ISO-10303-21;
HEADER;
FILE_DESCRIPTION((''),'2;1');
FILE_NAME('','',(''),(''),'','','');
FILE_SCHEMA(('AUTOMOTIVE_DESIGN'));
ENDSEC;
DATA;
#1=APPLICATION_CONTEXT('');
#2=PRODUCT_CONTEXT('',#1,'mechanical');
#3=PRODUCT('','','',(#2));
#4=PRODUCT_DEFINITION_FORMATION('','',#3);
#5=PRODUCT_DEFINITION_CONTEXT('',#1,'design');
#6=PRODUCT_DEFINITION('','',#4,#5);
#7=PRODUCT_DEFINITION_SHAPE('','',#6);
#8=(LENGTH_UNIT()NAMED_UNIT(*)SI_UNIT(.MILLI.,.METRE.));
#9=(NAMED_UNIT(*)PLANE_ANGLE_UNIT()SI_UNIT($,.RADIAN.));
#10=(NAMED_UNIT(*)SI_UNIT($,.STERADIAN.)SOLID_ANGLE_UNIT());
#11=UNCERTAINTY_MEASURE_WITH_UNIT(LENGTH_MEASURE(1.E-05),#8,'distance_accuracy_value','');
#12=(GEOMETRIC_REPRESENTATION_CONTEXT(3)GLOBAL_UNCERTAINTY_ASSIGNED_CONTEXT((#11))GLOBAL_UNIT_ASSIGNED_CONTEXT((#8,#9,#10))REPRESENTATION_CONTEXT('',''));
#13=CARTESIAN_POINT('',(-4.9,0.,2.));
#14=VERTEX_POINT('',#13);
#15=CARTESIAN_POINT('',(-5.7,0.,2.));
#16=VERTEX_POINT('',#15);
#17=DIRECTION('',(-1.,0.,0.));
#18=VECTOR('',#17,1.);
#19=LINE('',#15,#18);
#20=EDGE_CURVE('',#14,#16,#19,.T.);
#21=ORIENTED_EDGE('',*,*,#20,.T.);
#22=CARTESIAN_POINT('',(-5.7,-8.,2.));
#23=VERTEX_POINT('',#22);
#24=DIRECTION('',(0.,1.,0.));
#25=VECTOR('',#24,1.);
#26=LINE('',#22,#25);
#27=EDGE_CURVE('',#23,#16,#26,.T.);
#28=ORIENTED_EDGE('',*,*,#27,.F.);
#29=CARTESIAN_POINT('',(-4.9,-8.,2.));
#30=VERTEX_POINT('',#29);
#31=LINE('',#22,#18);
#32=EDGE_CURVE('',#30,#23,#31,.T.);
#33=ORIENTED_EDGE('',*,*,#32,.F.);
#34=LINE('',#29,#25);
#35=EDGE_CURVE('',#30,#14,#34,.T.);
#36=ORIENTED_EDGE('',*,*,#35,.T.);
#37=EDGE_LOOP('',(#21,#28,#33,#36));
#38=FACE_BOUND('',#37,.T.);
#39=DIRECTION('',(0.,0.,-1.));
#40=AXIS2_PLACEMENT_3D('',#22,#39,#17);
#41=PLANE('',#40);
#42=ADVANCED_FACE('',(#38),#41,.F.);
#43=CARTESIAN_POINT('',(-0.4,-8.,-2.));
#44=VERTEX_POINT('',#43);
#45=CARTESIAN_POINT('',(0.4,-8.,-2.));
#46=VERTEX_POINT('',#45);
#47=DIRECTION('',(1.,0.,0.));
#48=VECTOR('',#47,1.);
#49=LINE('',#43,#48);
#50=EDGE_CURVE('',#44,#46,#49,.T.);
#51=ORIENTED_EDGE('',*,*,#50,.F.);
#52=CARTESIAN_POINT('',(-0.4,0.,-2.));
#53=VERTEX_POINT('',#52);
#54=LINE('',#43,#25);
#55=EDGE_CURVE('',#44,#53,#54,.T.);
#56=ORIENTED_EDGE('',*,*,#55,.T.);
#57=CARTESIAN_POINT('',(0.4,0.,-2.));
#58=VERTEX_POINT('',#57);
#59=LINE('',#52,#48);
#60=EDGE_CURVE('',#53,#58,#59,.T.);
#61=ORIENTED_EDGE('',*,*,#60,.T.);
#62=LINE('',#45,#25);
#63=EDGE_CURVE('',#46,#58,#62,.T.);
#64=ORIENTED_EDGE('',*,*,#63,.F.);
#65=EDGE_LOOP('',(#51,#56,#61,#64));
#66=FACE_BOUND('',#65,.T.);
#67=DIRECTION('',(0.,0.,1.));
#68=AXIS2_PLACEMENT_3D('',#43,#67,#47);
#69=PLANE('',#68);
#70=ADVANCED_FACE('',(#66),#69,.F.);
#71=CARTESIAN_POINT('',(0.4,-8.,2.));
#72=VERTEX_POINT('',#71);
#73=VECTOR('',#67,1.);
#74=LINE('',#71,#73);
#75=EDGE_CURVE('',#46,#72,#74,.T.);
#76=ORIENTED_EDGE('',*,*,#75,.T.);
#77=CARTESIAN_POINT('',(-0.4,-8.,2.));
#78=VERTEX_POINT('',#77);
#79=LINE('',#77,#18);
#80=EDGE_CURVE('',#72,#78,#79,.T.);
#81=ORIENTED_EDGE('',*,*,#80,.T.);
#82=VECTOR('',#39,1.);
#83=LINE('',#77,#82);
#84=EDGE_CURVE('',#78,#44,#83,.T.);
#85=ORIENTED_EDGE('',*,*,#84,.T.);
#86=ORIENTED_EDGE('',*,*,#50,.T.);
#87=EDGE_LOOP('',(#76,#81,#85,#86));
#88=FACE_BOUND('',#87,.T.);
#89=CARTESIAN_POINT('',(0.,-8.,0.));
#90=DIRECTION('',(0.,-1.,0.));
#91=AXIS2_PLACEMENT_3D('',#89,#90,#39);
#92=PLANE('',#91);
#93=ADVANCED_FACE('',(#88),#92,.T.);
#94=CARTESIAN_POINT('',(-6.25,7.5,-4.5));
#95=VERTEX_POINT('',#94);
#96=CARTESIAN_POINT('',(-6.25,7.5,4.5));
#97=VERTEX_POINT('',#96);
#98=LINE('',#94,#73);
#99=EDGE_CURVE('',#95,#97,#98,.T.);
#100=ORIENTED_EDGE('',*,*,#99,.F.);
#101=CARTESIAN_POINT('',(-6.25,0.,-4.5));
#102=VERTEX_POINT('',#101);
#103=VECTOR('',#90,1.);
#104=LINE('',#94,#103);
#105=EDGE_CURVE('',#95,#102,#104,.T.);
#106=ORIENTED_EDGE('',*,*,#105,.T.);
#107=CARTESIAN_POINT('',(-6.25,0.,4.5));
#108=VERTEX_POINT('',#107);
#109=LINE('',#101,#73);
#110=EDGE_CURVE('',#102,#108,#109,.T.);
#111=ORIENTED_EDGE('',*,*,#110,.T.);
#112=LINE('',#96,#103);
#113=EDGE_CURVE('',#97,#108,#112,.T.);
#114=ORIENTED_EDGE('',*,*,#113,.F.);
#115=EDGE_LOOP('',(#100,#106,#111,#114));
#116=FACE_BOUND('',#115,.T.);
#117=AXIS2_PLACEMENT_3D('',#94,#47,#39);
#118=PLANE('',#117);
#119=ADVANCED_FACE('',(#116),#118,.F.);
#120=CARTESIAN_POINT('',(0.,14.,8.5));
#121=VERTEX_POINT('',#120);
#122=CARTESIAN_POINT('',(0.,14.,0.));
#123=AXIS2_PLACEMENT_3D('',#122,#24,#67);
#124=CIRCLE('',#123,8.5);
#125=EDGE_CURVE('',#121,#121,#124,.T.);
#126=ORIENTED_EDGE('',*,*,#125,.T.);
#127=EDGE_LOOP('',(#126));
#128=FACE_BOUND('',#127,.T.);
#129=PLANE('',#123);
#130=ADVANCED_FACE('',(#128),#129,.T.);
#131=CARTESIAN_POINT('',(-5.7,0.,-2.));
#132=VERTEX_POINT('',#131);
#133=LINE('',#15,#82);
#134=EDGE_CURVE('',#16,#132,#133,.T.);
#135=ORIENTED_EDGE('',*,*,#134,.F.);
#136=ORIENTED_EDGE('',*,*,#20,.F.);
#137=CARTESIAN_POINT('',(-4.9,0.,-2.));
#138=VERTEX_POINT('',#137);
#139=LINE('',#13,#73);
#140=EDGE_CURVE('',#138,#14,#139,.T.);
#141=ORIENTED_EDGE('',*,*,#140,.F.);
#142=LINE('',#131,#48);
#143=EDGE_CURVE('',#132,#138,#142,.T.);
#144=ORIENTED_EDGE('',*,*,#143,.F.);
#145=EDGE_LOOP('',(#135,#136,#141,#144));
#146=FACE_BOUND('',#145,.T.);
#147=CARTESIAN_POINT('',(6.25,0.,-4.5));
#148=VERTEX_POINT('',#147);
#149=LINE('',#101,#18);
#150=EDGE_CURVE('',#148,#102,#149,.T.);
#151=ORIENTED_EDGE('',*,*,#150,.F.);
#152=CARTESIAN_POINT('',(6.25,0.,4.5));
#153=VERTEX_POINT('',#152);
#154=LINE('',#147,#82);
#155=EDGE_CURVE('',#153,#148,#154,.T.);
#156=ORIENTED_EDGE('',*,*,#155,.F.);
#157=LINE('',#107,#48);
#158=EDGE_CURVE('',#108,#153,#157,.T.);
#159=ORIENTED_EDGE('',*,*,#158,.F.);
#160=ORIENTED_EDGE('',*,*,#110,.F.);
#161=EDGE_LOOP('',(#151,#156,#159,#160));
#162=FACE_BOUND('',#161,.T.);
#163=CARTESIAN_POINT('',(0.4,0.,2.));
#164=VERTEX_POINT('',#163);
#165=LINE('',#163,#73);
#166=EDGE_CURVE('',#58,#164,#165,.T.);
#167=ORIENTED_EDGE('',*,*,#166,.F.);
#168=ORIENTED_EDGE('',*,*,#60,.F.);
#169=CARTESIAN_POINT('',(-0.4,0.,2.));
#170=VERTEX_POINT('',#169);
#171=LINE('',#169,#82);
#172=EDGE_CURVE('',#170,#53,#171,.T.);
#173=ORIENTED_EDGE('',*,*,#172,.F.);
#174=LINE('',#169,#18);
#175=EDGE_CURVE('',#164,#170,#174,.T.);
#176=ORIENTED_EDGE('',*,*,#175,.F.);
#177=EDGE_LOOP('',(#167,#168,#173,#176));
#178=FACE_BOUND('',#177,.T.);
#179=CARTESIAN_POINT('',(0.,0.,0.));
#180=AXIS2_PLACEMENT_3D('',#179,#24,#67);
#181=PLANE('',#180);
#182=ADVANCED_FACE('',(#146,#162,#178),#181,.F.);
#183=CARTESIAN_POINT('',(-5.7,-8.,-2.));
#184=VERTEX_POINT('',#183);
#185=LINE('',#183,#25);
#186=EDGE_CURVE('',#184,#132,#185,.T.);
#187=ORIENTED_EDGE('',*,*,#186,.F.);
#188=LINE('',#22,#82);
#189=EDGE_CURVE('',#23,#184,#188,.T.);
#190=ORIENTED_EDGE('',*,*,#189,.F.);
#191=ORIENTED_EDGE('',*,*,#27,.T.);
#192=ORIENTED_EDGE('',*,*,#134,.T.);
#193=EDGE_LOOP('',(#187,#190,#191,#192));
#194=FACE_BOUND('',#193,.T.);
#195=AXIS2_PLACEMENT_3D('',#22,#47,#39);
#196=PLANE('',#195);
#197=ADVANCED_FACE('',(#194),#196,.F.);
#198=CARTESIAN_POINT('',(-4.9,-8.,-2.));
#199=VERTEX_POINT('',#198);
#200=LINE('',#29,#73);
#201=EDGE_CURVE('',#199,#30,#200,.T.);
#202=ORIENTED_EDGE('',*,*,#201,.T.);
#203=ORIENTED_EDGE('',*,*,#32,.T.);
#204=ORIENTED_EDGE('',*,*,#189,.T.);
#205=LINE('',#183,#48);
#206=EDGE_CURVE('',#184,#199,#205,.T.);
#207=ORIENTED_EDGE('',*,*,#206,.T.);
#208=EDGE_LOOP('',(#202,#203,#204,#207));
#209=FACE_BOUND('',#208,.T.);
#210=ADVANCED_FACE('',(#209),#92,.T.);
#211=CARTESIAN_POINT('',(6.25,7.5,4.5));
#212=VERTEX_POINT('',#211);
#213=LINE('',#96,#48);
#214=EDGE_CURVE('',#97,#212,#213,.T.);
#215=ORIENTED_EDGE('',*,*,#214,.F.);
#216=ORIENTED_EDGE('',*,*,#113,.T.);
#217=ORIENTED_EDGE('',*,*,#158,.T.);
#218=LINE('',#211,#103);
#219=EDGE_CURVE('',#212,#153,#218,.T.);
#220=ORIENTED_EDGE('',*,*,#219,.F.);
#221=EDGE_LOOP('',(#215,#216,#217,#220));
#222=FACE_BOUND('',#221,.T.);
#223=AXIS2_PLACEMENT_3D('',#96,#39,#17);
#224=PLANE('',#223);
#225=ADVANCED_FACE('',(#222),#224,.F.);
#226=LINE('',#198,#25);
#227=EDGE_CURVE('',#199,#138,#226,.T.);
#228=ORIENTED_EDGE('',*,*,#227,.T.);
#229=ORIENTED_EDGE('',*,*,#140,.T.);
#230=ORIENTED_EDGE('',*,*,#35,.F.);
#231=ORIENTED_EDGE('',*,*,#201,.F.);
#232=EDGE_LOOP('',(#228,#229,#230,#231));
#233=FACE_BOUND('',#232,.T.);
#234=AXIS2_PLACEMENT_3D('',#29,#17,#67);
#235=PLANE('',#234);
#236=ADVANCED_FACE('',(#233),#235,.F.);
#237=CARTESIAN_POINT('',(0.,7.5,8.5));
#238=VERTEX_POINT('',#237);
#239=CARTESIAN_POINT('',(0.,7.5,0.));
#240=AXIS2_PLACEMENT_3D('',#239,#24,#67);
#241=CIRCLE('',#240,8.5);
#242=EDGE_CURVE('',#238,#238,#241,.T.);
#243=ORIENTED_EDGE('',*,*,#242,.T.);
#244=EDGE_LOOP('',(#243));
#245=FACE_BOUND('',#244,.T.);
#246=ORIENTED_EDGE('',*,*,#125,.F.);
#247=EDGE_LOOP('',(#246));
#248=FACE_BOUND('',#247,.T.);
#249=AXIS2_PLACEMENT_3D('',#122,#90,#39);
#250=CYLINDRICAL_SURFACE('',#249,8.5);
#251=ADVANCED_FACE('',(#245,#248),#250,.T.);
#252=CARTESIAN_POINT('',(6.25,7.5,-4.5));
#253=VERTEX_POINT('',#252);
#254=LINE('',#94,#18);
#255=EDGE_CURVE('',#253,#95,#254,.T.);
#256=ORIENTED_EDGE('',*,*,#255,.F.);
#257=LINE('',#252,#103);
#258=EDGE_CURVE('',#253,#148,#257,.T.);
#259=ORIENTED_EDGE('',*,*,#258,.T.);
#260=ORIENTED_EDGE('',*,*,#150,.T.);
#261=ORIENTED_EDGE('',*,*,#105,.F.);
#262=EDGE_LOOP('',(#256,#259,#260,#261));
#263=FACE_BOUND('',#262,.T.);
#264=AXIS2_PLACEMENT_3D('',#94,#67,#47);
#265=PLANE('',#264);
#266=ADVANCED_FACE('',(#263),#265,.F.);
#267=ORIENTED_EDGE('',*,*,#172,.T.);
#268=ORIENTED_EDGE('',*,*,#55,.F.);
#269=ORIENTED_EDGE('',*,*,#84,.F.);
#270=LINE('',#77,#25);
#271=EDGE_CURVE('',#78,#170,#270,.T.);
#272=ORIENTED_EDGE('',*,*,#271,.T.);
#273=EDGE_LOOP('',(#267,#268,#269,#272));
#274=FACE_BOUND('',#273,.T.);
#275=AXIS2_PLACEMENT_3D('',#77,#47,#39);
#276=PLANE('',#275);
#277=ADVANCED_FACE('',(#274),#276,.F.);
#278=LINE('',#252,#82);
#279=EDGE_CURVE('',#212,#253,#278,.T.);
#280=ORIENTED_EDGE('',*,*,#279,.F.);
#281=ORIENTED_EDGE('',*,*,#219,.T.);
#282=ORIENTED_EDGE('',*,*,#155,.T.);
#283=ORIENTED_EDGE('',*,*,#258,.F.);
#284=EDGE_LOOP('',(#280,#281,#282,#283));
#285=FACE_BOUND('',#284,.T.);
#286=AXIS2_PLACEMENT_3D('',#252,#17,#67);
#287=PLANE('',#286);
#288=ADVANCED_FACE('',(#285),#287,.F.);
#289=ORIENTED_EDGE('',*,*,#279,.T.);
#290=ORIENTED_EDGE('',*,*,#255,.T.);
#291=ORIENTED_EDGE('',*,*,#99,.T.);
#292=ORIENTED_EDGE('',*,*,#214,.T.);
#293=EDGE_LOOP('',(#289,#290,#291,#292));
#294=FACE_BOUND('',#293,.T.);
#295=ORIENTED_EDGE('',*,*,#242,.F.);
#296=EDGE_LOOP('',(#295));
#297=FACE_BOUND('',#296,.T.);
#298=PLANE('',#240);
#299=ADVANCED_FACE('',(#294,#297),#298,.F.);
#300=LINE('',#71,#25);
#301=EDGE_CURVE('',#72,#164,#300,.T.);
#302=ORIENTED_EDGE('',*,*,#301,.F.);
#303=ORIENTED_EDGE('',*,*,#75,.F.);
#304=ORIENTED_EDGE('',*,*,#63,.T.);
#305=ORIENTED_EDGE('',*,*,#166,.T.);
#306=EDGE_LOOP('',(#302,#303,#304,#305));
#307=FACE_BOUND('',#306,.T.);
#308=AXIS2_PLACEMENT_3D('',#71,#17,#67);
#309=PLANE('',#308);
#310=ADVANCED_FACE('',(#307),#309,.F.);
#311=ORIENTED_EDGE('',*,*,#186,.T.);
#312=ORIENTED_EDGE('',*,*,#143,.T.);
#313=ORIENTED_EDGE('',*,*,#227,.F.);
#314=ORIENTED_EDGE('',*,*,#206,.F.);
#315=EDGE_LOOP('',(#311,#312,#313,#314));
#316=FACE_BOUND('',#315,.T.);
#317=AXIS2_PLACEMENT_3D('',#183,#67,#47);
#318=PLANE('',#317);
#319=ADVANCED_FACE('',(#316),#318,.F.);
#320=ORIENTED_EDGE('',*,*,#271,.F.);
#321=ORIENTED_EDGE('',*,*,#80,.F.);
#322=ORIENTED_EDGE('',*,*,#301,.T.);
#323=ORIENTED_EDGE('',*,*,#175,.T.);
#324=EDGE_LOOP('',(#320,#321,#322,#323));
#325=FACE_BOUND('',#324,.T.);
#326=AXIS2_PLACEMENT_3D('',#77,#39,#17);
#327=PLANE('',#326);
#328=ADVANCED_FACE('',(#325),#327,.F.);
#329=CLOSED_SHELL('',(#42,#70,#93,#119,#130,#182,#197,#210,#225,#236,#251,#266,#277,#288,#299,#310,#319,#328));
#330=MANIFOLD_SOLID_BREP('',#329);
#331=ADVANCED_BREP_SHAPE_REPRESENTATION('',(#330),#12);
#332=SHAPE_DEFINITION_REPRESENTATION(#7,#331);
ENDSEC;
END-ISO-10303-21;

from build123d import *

# Parameters (mm, degrees)
SKICA2_W                = 12.5
SKICA2_H                = 9
P_IDAT_VYSUNUT_M1_DEPTH = 7.5
SKICA3_R                = 8.5
P_IDAT_VYSUNUT_M2_DEPTH = 6.5
SKICA4_W                = 0.8
SKICA4_H                = 4
P_IDAT_VYSUNUT_M3_DEPTH = 8


with BuildPart() as part:
    # Skica2 → Přidat vysunutím1 (new body)
    with BuildSketch(Plane(origin=(0, 0, 0), x_dir=(1, 0, 0), z_dir=(0, 1, 0))):
        Rectangle(SKICA2_W, SKICA2_H)
    extrude(amount=P_IDAT_VYSUNUT_M1_DEPTH)

    # Skica3 → Přidat vysunutím2 (add)
    with BuildSketch(Plane(origin=(0, 7.5, 0), x_dir=(1, 0, 0), z_dir=(0, 1, 0))):
        Circle(SKICA3_R)
    extrude(amount=P_IDAT_VYSUNUT_M2_DEPTH)

    # Skica4 → Přidat vysunutím3 (add)
    with BuildSketch(Plane(origin=(0, 0, 0), x_dir=(-1, 0, 0), z_dir=(0, -1, 0))):
        with Locations((5.3, 0)):
            Rectangle(SKICA4_W, SKICA4_H)
        Rectangle(SKICA4_W, SKICA4_H)
    extrude(amount=P_IDAT_VYSUNUT_M3_DEPTH)


solid = part.part
